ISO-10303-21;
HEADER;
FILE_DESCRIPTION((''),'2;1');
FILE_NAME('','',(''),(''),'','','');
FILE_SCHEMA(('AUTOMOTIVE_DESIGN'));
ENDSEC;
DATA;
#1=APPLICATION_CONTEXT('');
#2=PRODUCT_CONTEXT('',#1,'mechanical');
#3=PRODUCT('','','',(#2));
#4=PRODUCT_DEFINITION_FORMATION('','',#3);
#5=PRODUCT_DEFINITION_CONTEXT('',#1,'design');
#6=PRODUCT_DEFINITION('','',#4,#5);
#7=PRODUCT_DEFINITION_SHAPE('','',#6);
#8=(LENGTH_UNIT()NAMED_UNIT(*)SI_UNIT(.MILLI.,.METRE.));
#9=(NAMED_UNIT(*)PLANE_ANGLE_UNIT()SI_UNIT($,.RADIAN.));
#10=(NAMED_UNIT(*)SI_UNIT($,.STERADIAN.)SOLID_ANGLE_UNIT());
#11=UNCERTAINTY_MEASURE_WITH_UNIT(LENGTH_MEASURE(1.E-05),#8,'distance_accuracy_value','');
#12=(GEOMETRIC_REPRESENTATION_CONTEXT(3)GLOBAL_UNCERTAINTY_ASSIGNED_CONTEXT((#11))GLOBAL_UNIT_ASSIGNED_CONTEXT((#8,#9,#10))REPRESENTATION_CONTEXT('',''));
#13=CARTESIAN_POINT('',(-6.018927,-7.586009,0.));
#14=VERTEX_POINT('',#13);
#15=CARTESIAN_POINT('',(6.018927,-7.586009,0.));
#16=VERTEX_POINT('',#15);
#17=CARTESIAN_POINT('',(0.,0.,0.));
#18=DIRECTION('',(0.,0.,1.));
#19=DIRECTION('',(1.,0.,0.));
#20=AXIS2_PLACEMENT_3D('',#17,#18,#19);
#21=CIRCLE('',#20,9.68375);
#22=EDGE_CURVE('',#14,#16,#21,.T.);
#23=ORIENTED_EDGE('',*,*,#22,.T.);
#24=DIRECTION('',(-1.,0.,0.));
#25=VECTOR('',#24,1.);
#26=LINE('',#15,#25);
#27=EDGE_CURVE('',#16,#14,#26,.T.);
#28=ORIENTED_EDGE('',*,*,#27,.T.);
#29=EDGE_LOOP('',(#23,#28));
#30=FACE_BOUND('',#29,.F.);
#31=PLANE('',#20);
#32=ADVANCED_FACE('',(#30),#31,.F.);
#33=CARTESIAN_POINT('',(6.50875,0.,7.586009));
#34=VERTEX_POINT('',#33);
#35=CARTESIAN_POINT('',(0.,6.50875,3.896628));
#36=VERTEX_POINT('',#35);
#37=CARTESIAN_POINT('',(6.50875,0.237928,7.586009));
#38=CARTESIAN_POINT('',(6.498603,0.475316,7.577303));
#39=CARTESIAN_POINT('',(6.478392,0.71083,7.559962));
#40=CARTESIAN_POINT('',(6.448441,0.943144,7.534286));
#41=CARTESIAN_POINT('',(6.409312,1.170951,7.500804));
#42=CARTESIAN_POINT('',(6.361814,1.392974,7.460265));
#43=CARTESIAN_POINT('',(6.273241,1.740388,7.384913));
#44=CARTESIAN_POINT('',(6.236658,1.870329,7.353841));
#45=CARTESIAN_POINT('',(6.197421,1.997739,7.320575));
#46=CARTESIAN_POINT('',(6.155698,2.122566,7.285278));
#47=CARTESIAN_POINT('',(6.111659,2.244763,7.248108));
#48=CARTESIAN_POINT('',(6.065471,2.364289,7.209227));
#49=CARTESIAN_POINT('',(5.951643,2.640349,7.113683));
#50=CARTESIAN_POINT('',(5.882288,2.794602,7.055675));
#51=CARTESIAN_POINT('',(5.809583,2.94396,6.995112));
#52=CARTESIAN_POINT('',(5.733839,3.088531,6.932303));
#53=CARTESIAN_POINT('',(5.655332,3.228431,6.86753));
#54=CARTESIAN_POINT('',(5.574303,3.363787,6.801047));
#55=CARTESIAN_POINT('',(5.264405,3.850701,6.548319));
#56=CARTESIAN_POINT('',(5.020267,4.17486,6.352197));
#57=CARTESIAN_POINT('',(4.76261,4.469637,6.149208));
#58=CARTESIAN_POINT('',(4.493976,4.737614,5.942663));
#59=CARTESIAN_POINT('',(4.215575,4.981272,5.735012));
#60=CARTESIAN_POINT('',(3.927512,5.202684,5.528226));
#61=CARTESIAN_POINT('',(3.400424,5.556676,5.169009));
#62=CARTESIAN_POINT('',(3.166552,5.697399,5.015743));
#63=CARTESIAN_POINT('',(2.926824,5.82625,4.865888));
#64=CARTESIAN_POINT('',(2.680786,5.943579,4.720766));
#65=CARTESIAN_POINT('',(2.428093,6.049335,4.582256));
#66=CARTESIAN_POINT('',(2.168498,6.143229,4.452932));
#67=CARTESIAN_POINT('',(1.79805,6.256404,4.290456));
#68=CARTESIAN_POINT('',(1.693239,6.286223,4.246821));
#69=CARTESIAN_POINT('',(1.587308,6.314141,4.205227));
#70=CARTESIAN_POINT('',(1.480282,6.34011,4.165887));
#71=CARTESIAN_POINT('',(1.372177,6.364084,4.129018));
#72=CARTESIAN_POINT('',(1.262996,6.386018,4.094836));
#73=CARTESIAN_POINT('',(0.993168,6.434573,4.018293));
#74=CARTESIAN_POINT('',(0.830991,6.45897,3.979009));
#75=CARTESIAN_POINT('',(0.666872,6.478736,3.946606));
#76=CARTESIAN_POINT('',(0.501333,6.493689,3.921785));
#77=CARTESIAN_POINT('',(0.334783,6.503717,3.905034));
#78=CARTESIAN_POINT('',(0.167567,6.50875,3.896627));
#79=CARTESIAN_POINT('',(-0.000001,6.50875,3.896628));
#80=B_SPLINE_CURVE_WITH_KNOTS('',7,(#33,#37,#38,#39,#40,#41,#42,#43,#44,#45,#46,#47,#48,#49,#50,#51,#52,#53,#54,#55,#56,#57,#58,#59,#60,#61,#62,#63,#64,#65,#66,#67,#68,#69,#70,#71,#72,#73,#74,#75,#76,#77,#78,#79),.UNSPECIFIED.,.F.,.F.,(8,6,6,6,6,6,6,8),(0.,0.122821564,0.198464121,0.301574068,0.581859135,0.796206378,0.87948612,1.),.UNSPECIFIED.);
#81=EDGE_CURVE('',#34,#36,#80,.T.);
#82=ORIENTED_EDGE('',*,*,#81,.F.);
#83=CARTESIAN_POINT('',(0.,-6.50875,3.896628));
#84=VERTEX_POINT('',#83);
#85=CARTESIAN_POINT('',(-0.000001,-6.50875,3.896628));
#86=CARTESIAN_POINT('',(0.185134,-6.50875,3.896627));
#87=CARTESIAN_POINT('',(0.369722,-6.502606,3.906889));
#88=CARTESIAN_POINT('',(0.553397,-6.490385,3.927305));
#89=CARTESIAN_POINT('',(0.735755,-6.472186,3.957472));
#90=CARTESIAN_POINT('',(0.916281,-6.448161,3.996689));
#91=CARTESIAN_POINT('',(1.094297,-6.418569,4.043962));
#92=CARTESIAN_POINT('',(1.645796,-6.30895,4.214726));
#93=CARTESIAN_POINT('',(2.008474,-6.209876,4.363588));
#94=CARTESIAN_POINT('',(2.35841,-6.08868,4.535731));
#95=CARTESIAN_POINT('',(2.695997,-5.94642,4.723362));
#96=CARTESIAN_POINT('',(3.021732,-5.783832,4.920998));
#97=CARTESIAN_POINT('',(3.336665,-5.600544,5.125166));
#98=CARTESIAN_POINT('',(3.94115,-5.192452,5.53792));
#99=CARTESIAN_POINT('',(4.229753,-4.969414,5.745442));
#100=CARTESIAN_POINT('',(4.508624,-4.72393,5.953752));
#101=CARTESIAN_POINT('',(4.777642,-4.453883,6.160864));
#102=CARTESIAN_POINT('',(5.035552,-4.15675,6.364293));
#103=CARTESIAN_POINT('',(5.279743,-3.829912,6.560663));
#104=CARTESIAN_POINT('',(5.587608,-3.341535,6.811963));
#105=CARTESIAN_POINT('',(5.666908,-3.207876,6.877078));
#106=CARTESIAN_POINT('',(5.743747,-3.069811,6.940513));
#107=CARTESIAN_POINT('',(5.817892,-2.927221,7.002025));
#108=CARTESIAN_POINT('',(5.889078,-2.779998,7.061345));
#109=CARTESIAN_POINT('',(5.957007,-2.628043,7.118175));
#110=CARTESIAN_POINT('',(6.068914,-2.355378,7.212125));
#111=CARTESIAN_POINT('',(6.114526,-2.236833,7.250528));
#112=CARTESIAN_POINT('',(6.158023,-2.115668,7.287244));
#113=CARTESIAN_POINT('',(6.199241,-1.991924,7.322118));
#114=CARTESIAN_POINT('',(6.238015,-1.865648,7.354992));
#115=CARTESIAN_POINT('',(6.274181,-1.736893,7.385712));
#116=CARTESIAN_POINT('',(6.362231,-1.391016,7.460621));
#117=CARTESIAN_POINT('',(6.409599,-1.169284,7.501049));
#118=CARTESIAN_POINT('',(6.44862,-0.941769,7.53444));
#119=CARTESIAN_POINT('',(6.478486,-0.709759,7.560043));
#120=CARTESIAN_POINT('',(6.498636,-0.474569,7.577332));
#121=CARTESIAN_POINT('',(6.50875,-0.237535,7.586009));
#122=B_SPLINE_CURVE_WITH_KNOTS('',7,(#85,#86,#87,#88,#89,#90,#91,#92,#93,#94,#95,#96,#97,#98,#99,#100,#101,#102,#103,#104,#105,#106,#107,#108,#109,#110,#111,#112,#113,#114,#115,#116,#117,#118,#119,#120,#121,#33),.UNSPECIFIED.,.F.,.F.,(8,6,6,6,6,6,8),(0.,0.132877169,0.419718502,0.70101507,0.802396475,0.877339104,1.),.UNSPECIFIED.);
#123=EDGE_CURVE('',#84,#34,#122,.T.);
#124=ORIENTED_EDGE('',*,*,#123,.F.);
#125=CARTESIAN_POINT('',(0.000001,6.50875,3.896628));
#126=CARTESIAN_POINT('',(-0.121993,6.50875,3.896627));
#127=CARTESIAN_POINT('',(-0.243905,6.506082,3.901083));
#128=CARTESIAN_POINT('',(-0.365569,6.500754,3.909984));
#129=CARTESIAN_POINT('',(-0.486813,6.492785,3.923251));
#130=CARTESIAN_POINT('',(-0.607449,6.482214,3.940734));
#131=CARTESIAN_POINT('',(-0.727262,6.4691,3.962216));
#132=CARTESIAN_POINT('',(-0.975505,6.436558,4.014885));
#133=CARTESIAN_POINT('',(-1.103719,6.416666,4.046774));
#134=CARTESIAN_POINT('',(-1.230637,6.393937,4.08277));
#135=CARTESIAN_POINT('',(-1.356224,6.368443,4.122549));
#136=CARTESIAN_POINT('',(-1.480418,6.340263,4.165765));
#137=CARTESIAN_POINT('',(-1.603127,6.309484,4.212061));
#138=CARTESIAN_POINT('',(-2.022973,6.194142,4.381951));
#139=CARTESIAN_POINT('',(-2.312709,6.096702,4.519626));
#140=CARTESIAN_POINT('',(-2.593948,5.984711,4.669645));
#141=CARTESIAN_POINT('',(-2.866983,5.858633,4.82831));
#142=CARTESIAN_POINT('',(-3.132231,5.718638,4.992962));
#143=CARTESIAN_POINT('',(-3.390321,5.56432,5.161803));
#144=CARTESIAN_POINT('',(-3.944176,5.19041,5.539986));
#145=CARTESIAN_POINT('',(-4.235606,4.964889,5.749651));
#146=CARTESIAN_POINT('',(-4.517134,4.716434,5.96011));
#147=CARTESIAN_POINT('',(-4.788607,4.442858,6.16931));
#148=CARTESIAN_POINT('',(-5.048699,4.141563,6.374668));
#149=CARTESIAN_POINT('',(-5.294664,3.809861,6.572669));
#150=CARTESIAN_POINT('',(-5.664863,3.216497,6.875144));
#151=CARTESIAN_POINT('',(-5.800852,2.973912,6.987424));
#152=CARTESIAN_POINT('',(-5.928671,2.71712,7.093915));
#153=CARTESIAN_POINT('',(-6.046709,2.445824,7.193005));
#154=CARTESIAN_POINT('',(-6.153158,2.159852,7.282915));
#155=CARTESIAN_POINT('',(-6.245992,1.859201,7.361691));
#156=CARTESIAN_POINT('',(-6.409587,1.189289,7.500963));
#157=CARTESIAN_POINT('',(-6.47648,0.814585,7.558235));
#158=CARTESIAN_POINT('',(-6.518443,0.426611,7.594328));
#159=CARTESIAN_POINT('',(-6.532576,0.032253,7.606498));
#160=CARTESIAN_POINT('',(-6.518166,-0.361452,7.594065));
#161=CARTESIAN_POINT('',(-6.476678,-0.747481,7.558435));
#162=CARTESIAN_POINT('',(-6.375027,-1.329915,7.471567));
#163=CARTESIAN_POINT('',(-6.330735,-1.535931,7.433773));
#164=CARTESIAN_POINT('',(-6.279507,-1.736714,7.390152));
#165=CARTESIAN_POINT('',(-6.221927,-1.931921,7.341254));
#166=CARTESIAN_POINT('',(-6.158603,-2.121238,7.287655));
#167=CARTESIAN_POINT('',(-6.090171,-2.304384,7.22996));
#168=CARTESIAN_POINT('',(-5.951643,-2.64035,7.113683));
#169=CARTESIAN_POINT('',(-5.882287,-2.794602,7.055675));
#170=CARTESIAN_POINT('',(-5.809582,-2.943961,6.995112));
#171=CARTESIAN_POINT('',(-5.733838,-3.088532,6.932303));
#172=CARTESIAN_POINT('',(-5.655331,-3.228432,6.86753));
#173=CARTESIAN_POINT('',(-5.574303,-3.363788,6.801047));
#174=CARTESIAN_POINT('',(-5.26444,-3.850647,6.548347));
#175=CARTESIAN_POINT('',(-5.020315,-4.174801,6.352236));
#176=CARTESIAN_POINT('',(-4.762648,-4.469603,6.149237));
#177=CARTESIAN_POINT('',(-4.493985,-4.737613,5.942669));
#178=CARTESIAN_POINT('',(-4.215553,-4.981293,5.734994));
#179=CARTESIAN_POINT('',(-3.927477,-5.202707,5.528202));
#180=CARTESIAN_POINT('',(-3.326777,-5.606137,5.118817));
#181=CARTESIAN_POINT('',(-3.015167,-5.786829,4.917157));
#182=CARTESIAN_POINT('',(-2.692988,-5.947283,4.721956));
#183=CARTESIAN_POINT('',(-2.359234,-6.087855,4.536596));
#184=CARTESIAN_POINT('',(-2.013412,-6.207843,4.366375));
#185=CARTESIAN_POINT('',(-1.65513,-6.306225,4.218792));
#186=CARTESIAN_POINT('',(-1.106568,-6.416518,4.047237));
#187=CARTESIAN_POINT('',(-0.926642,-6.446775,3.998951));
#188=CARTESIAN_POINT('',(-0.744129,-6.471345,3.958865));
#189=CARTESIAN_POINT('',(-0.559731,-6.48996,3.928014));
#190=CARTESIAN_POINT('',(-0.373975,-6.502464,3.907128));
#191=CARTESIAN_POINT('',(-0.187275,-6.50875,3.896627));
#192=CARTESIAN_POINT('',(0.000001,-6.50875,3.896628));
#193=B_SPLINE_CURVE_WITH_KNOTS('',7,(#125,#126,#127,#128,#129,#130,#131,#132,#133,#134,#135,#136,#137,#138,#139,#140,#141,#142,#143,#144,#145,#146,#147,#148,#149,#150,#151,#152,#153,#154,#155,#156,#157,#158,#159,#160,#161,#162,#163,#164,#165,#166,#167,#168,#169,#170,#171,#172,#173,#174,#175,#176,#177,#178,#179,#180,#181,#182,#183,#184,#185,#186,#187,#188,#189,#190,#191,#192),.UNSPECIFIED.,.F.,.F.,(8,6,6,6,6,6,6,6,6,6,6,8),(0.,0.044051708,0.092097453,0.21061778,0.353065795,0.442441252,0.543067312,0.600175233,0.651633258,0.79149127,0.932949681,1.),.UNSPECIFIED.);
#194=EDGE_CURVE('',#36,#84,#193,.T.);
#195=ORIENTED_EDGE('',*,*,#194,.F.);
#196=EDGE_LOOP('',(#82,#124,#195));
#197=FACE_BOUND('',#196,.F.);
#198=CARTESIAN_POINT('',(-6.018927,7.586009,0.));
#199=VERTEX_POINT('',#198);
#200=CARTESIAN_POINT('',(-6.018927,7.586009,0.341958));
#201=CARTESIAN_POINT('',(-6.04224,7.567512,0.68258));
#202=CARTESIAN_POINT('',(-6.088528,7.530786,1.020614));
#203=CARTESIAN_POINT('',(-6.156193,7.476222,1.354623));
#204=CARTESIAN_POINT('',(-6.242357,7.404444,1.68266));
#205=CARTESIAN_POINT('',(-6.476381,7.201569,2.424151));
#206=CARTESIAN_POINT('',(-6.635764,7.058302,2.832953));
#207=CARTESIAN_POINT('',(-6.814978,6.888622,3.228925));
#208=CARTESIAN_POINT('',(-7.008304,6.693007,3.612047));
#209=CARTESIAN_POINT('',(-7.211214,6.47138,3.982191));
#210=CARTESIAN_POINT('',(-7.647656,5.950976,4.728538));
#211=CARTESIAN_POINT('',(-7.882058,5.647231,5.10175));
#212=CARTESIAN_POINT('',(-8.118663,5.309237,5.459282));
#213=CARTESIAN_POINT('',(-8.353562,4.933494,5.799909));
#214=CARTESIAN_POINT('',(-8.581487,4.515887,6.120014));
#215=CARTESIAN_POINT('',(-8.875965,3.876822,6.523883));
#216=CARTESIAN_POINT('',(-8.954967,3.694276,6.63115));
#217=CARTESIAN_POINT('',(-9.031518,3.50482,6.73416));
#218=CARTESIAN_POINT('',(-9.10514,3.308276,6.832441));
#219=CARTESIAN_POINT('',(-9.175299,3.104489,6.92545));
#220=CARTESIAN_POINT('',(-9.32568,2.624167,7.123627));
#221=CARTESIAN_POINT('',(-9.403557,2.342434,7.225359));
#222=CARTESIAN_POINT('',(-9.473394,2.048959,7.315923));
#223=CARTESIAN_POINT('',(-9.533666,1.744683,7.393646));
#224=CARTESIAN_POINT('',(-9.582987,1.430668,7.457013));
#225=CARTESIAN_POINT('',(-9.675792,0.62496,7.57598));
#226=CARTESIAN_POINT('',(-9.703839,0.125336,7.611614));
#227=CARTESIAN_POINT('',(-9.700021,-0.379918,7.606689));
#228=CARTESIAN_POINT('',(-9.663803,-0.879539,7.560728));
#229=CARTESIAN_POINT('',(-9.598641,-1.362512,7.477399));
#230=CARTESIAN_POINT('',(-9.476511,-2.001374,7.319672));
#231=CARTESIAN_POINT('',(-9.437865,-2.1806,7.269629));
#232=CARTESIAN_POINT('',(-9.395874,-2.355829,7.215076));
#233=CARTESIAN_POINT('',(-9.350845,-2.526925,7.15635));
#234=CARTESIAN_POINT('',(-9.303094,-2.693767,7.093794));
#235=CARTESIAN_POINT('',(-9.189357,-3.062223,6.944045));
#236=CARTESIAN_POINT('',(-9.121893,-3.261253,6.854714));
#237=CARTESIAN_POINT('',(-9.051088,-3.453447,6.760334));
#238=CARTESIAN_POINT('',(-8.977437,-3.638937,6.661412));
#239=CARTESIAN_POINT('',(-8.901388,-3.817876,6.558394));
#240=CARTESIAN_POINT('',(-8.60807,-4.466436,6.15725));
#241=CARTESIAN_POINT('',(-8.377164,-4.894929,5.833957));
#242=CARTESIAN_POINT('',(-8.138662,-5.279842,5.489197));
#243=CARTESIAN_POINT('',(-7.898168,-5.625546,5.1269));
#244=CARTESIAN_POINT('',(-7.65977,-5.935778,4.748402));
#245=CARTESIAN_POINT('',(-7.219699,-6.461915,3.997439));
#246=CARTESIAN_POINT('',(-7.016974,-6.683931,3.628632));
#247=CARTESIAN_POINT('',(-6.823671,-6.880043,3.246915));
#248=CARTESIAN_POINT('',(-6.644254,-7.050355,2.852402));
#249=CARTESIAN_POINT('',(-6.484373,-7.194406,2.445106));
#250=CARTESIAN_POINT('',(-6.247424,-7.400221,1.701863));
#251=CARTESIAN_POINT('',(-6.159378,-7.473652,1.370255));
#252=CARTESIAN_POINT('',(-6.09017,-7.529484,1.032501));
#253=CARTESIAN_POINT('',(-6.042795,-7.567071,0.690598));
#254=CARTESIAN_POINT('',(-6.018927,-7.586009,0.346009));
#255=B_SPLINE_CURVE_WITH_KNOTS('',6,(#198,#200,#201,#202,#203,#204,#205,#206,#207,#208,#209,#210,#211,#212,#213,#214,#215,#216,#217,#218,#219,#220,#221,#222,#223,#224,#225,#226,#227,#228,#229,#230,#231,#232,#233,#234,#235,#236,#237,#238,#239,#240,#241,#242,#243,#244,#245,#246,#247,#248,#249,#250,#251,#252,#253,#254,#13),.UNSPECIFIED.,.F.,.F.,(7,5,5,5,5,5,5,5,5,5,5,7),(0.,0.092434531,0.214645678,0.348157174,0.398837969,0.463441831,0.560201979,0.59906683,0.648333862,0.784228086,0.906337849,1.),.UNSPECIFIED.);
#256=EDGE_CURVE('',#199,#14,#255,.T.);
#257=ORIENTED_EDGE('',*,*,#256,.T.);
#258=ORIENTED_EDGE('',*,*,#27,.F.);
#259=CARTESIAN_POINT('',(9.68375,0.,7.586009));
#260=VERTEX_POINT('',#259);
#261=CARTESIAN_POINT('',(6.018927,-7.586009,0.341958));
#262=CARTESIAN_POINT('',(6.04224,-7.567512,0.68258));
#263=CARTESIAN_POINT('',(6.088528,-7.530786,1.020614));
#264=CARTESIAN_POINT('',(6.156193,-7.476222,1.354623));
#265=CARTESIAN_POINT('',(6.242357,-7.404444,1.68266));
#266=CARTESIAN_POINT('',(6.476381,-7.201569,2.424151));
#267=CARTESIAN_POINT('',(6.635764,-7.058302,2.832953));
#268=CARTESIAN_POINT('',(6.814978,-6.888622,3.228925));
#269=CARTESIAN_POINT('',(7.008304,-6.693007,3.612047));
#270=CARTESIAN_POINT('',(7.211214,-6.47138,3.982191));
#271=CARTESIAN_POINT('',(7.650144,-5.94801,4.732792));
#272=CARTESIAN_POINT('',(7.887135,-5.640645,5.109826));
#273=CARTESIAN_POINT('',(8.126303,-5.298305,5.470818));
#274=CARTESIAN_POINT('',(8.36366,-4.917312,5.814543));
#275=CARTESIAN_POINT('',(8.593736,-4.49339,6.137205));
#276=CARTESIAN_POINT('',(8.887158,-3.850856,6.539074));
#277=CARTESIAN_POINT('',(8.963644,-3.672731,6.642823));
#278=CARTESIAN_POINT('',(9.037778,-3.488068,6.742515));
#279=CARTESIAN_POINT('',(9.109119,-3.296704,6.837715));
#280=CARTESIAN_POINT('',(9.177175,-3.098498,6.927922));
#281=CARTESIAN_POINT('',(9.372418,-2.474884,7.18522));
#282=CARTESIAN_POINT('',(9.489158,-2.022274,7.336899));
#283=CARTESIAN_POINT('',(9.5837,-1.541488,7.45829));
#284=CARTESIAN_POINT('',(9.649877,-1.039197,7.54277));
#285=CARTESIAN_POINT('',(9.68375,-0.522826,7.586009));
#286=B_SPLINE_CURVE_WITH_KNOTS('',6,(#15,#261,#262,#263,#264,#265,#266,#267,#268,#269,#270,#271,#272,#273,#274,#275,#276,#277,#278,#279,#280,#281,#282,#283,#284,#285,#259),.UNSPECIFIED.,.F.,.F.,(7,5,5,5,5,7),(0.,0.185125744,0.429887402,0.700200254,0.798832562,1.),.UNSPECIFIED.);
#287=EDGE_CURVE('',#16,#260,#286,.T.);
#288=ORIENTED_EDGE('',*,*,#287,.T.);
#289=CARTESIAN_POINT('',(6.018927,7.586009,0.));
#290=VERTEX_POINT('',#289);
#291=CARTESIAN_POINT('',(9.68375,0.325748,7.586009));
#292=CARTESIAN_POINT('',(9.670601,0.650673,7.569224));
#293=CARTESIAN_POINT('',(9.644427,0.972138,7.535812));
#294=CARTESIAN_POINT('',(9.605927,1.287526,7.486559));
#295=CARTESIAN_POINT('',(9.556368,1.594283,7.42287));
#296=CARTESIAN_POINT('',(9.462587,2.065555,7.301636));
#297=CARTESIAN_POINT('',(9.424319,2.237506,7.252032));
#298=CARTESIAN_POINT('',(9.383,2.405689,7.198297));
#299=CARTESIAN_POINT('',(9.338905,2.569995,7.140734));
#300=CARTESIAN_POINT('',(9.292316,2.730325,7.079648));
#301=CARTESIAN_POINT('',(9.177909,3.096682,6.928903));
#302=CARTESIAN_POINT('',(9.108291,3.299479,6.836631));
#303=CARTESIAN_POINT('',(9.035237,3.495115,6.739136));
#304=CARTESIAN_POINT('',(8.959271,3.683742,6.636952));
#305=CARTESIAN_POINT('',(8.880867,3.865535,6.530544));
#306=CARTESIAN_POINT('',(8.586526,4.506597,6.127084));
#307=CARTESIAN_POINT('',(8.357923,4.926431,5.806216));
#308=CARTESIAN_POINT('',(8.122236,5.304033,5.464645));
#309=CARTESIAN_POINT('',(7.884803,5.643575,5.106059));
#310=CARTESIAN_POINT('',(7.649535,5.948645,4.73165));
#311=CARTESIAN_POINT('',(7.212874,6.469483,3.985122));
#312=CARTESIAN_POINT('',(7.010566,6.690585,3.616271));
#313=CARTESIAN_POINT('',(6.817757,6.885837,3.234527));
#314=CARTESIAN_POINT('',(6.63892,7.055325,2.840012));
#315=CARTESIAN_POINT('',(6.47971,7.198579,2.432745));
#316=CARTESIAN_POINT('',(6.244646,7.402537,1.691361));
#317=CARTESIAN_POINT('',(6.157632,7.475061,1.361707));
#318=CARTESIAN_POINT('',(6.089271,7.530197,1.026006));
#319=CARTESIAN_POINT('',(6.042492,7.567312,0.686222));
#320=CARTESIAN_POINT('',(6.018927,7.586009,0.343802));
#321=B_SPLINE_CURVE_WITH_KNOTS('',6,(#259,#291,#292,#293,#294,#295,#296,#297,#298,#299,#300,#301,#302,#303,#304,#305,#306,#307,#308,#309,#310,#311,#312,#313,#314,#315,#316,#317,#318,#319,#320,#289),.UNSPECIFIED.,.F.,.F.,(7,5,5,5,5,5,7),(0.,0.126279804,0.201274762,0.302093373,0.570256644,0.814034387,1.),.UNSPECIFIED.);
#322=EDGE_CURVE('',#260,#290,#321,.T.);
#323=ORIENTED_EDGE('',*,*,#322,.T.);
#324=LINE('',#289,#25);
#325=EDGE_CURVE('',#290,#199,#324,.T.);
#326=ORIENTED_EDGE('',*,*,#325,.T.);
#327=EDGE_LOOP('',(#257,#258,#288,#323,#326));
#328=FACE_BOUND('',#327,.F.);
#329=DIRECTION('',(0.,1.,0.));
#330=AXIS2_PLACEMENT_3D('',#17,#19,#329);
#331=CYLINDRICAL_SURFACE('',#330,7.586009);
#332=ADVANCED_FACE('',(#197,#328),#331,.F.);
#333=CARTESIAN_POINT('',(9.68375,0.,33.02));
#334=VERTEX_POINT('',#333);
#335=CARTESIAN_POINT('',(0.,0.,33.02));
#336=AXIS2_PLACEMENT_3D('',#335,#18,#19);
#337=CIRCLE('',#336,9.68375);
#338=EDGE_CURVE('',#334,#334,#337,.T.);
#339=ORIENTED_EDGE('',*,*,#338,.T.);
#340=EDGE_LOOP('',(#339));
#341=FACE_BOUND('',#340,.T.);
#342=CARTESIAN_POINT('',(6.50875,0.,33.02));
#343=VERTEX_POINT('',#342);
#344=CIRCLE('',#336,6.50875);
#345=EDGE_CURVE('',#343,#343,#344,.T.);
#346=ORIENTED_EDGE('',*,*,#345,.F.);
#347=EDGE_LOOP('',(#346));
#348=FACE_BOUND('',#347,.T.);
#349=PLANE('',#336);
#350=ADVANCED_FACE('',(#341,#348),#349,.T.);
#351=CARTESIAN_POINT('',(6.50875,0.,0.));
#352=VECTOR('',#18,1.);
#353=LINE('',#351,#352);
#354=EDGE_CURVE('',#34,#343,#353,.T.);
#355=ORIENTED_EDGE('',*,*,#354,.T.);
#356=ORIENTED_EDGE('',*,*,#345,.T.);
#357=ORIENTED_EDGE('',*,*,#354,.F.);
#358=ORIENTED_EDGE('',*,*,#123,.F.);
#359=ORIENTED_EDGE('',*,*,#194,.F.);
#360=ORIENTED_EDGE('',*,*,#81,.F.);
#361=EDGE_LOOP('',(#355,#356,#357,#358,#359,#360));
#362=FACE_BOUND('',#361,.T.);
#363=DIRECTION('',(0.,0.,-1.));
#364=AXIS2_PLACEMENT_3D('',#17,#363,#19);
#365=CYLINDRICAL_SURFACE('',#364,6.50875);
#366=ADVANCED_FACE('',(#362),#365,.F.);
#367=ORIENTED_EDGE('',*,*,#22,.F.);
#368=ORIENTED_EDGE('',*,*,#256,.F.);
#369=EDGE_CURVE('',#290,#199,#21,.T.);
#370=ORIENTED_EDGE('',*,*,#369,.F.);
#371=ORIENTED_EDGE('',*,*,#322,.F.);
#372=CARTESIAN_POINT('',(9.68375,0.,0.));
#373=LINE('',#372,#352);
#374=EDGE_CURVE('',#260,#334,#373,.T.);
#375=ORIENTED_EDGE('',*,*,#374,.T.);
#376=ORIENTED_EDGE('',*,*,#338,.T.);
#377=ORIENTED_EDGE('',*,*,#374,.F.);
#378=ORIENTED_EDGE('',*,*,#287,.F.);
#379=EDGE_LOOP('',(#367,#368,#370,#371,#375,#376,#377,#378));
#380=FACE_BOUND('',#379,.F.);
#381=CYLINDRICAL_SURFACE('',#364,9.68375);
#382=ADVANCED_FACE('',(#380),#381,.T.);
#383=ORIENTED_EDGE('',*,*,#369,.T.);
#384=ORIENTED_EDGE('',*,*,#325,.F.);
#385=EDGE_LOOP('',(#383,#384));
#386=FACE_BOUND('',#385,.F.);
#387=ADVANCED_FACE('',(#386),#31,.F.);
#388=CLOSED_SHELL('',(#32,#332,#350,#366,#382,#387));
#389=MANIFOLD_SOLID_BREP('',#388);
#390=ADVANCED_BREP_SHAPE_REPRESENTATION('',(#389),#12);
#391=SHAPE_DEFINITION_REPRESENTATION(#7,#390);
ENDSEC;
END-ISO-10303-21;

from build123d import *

# Parameters (mm, degrees)
F0_R     = 9.68375
F0_R_2   = 6.50875
F1_DEPTH = 33.02
F3_DEPTH = 25
F4_DEPTH = 54.6


with BuildPart() as f1:
    # F0 (on Top) → F1 (new body)
    with BuildSketch(Plane.XY):
        Circle(F0_R)
        Circle(F0_R_2, mode=Mode.SUBTRACT)
    extrude(amount=F1_DEPTH)

    # F2 (on Right) → F3 (cut)
    with BuildSketch(Plane.YZ):
        with BuildLine():
            ThreePointArc((7.586009, 0), (0, 7.586009), (-7.586009, 0))
            Line((-7.586009, 0), (7.586009, 0))
        make_face()
    extrude(amount=-F3_DEPTH, mode=Mode.SUBTRACT)

    # F2 (on Right) → F4 (cut)
    with BuildSketch(Plane.YZ):
        with BuildLine():
            ThreePointArc((7.586009, 0), (0, 7.586009), (-7.586009, 0))
            Line((-7.586009, 0), (7.586009, 0))
        make_face()
    extrude(amount=F4_DEPTH, mode=Mode.SUBTRACT)


solid = f1.part
